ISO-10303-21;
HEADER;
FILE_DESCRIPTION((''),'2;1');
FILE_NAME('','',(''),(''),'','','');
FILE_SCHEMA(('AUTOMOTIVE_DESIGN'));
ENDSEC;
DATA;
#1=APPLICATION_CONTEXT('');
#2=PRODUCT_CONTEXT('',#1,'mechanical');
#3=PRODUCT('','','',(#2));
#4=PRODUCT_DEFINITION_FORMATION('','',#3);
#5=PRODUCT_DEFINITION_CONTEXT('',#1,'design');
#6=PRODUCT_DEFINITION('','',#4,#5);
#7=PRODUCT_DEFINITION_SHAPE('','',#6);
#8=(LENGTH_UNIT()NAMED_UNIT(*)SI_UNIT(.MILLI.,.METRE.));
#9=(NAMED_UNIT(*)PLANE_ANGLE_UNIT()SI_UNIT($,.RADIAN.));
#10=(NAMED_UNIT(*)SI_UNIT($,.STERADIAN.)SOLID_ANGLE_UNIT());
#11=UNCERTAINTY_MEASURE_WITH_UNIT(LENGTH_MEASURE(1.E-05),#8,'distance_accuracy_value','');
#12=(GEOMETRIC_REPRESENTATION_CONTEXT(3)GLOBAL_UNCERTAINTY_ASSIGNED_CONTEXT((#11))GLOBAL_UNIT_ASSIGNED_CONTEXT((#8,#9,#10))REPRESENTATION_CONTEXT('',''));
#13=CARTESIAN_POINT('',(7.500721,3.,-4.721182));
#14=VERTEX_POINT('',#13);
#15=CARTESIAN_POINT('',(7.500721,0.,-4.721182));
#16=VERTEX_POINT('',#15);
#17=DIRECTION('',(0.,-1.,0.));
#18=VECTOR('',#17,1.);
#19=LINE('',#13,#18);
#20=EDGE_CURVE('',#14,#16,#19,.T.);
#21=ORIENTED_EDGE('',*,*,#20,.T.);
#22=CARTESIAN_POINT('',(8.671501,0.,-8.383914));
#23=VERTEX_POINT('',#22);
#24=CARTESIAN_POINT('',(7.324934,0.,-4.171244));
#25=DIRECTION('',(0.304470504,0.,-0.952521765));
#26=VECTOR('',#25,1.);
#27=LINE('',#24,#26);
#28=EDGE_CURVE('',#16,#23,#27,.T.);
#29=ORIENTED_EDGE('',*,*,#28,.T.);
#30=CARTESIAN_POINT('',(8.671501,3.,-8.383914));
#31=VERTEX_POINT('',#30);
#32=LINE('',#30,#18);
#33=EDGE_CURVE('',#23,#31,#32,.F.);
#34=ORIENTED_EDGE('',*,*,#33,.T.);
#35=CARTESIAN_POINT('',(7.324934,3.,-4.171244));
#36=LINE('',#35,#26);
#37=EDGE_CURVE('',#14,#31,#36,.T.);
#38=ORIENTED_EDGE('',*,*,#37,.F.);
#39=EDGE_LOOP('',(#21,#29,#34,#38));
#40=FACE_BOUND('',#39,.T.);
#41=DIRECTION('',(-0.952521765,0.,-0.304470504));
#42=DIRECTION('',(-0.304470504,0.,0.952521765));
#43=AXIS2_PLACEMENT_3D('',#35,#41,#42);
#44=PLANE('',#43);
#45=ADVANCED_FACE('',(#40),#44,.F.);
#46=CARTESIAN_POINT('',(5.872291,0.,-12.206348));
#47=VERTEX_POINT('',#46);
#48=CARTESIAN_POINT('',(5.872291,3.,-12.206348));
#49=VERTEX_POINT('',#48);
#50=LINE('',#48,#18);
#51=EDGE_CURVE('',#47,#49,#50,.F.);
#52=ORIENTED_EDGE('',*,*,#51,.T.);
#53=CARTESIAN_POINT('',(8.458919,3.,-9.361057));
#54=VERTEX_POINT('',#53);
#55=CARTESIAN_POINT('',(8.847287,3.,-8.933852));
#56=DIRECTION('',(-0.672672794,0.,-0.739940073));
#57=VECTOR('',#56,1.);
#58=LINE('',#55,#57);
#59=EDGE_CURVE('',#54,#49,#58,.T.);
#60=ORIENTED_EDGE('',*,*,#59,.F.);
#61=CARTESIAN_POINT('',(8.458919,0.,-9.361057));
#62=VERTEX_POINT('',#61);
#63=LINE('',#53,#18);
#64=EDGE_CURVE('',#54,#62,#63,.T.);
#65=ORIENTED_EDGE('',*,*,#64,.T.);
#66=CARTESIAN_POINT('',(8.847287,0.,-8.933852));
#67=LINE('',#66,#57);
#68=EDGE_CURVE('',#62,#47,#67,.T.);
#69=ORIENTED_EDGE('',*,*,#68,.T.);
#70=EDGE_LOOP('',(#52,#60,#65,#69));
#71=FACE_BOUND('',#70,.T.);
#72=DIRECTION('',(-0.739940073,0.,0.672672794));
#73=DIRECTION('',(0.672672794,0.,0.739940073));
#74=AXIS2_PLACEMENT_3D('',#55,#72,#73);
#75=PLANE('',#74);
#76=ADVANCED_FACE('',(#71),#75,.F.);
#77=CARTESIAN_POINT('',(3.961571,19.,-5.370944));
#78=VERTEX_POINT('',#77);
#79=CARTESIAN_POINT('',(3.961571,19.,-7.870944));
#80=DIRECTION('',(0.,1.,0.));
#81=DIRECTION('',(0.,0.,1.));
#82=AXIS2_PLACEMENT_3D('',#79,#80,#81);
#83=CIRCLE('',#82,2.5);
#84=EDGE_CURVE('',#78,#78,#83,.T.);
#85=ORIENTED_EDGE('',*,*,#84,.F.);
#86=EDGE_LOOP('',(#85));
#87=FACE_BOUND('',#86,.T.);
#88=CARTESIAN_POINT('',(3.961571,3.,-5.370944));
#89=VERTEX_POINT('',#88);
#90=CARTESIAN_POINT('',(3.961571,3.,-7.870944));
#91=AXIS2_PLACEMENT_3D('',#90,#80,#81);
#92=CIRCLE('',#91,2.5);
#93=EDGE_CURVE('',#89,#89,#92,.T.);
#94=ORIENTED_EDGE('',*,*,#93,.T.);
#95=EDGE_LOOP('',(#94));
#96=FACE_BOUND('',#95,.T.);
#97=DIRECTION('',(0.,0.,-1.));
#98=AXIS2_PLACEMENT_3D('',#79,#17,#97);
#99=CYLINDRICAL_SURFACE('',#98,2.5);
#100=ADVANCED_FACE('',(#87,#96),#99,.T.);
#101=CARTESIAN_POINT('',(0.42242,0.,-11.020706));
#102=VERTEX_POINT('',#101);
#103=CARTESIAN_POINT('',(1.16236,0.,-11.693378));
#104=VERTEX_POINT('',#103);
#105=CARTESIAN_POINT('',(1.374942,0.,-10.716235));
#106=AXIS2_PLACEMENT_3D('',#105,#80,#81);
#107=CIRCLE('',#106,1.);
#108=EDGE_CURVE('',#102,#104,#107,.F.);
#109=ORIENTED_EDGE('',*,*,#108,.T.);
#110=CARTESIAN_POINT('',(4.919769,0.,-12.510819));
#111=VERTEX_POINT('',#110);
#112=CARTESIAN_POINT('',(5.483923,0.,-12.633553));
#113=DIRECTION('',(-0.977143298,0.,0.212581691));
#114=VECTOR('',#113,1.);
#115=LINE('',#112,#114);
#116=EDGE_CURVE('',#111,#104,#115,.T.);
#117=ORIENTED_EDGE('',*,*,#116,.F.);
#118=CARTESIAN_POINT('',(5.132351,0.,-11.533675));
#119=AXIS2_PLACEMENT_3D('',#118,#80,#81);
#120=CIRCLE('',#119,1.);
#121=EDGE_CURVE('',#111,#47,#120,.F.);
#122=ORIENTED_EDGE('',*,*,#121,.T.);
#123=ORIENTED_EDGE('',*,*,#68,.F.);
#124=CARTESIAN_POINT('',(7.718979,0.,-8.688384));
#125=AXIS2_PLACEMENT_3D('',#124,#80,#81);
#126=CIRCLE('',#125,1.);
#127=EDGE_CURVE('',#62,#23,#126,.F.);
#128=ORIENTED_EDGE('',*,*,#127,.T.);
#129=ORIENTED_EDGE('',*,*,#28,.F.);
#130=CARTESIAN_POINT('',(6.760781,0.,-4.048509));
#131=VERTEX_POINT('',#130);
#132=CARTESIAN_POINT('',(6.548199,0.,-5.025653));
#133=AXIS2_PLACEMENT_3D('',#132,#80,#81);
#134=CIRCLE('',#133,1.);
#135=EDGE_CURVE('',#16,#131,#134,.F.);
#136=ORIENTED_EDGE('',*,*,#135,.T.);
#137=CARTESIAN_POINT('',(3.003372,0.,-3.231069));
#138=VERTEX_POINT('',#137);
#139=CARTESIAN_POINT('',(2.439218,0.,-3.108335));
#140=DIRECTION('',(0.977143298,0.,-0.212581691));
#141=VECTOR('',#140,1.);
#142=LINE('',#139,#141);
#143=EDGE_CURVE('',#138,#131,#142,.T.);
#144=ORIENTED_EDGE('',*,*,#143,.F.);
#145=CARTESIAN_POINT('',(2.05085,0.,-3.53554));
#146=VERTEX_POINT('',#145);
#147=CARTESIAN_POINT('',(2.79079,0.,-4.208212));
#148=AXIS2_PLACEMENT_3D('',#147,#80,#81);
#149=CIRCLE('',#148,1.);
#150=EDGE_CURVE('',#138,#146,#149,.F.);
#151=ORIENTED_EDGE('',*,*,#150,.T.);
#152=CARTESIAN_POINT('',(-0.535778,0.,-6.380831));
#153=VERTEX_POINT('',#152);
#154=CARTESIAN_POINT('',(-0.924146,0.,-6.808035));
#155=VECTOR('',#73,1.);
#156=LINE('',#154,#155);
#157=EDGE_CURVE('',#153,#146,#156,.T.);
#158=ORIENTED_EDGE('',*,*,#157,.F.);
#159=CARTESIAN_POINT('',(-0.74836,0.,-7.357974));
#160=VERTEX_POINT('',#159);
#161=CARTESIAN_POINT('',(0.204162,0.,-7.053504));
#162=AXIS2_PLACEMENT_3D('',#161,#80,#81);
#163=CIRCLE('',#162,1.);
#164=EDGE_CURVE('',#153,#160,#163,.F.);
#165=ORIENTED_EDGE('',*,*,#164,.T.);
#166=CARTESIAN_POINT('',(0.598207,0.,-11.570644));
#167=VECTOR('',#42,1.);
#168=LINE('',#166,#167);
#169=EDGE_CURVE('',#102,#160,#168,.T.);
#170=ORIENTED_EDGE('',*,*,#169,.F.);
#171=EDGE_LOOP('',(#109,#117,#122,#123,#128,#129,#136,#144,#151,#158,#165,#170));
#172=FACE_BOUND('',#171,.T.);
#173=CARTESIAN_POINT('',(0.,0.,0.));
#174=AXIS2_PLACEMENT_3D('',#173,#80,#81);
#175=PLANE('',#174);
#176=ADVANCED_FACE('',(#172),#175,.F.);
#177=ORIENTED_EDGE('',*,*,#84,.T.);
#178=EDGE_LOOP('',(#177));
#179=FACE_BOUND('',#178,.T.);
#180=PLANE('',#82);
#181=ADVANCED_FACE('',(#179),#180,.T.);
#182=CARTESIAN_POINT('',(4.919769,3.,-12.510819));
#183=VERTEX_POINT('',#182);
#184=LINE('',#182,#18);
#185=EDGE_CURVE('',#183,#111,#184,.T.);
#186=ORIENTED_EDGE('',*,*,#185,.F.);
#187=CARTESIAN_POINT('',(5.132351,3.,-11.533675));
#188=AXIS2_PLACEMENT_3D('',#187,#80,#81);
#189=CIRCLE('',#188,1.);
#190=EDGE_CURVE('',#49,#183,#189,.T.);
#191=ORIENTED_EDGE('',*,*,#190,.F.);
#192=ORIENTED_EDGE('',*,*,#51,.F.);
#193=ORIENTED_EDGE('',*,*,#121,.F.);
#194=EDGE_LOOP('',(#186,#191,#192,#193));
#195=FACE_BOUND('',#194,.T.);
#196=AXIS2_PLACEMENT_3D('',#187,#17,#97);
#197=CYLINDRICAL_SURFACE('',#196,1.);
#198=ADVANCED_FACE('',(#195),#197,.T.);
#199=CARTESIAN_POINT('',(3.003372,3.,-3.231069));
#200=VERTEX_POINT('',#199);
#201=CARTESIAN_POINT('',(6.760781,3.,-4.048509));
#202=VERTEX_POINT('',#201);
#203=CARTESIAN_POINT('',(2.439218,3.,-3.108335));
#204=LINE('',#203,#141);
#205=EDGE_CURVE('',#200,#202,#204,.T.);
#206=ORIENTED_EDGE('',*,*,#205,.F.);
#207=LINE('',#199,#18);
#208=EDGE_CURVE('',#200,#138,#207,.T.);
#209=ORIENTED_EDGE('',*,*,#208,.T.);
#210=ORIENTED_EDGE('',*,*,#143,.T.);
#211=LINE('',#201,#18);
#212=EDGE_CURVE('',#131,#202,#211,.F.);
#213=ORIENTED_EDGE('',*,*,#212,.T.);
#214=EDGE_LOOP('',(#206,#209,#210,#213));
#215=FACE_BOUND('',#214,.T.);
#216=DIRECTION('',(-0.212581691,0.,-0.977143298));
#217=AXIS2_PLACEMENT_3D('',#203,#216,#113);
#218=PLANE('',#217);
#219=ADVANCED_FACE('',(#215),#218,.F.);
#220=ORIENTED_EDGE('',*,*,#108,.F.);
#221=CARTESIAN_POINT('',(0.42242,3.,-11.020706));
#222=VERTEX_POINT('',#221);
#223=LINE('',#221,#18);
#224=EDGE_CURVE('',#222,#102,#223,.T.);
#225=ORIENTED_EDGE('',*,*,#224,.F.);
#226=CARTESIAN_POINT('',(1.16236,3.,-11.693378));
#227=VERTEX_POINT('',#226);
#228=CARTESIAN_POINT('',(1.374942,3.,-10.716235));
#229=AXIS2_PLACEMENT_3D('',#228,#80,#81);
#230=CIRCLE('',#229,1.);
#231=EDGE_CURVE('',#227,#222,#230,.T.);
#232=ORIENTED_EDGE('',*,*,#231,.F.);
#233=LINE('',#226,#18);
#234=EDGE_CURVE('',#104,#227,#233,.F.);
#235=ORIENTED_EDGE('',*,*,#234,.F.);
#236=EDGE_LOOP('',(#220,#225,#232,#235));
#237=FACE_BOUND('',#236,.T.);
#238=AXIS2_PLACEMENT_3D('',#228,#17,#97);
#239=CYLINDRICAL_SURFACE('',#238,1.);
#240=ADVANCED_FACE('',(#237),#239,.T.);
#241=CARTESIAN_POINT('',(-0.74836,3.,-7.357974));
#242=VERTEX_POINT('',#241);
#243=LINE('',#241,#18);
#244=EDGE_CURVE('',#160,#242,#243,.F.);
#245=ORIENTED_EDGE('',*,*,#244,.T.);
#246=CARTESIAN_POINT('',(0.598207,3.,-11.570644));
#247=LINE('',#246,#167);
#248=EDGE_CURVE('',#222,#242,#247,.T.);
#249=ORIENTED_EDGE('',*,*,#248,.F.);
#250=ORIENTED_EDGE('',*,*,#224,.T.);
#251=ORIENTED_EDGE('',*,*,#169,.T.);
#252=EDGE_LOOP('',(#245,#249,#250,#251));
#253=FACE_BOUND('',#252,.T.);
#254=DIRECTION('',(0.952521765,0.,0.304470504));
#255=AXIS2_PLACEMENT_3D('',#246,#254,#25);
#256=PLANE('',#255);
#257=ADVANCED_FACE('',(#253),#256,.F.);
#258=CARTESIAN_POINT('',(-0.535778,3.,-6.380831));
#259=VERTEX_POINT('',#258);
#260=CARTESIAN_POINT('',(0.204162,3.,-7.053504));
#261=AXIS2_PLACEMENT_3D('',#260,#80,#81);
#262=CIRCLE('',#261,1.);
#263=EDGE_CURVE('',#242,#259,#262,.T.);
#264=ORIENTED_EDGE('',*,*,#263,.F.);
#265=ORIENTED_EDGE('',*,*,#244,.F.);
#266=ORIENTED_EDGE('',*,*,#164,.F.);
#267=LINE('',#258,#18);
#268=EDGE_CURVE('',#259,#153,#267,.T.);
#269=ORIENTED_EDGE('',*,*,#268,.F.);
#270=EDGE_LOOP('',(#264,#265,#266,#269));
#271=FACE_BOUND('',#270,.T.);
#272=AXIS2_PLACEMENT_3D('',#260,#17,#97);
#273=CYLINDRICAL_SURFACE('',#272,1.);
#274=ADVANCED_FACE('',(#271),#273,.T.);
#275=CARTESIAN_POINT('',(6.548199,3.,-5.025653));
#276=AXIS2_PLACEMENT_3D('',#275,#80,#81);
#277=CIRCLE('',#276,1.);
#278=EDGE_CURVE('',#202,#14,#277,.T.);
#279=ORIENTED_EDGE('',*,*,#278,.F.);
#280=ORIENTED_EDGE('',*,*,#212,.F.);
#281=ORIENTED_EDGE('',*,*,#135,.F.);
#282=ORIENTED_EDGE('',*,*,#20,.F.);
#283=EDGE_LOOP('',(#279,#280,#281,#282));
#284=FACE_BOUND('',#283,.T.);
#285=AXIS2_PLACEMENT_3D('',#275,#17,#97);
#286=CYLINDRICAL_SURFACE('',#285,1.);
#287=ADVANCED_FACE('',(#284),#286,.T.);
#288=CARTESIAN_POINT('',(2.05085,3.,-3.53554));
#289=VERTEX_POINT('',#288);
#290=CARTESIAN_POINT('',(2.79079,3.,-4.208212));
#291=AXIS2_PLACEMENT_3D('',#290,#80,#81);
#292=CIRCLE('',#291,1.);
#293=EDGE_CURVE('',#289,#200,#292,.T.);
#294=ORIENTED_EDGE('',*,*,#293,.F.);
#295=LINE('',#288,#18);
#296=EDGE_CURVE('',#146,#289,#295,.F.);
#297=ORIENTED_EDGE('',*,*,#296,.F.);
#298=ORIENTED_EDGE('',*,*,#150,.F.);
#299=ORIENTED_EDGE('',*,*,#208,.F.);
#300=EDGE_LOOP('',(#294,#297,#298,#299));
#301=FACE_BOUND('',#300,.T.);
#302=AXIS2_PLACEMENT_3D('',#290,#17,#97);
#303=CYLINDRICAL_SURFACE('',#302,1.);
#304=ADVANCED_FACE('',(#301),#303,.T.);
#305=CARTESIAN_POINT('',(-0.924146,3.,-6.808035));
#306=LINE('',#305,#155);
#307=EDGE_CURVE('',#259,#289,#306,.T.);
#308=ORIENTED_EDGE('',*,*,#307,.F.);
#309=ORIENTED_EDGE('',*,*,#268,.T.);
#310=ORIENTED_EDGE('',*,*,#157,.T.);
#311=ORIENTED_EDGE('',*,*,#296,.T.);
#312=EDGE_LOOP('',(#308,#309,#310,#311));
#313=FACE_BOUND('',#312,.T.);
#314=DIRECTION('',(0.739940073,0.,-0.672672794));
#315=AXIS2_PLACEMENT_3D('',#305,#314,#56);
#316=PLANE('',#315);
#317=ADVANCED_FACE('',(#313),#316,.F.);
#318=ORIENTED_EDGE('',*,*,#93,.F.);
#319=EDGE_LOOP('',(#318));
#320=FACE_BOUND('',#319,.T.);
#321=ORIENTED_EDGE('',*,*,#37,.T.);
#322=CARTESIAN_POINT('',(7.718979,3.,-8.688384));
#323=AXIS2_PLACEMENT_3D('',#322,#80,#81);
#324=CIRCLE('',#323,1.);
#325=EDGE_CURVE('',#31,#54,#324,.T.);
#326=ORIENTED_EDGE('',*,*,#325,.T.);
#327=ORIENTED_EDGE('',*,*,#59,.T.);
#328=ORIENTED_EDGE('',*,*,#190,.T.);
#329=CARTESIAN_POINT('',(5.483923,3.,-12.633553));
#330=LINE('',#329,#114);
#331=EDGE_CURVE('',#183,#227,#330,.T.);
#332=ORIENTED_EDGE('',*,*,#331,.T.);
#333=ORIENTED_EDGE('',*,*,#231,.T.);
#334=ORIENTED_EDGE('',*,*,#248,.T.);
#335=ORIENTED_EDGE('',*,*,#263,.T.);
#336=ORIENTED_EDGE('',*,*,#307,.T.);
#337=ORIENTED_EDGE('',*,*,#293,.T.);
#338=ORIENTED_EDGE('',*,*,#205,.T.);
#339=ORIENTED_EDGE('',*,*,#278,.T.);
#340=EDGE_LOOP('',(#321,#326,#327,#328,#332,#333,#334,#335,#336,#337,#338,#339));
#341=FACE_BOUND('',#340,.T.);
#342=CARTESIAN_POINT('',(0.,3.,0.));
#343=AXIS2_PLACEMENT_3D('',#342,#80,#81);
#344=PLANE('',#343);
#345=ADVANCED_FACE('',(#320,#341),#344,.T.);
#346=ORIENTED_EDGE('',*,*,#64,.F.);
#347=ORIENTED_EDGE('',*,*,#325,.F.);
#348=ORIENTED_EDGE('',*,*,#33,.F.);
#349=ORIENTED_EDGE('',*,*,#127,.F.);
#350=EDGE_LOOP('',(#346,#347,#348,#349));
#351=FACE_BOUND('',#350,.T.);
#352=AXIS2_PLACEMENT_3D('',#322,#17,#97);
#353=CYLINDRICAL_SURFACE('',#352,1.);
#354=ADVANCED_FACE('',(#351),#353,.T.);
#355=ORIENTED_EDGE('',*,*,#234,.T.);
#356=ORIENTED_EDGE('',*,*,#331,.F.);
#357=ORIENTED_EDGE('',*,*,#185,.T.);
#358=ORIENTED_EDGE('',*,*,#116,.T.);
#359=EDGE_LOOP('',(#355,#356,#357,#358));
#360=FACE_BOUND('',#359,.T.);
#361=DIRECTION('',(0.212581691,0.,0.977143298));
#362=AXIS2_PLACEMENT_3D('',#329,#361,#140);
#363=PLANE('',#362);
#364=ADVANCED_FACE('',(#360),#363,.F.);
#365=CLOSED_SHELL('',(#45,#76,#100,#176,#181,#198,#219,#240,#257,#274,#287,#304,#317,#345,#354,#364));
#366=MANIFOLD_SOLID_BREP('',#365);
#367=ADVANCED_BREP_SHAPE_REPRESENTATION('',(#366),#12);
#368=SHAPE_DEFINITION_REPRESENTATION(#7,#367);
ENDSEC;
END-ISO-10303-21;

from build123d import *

# Parameters (mm, degrees)
EXTRUDE_1_DEPTH = 3
SKETCH_4_R      = 2.5
EXTRUDE_2_DEPTH = 16
FILLET_1_R      = 1


with BuildPart() as part:
    # 草图2 → 凸台-拉伸1 (new body)
    with BuildSketch(Plane(origin=(0, 0, 0), x_dir=(1, 0, 0), z_dir=(0, 1, 0))):
        Polygon((7.324934491, 4.171243509), (8.84728701, 8.933852332), (5.48392304, 12.633552699), (0.598206551, 11.570644242), (-0.924145968, 6.808035419), (2.439218002, 3.108335052), align=None)
    extrude(amount=EXTRUDE_1_DEPTH)

    # 草图4 → 凸台-拉伸2 (add)
    with BuildSketch(Plane(origin=(0, 3, 0), x_dir=(1, 0, 0), z_dir=(0, 1, 0))):
        with Locations(Location((3.961570521, 7.870943875, 0), (0, 0, 270))):
            Circle(SKETCH_4_R)
    extrude(amount=EXTRUDE_2_DEPTH)

    # 圆角1
    fillet_1_edges = [part.edges().sort_by_distance(p)[0] for p in [
        (8.84728701, 1.5, -8.933852332),
        (7.324934491, 1.5, -4.171243509),
        (2.439218002, 1.5, -3.108335052),
        (-0.924145968, 1.5, -6.808035419),
        (0.598206551, 1.5, -11.570644242),
        (5.48392304, 1.5, -12.633552699),
    ]]
    fillet(fillet_1_edges, radius=FILLET_1_R)


solid = part.part
